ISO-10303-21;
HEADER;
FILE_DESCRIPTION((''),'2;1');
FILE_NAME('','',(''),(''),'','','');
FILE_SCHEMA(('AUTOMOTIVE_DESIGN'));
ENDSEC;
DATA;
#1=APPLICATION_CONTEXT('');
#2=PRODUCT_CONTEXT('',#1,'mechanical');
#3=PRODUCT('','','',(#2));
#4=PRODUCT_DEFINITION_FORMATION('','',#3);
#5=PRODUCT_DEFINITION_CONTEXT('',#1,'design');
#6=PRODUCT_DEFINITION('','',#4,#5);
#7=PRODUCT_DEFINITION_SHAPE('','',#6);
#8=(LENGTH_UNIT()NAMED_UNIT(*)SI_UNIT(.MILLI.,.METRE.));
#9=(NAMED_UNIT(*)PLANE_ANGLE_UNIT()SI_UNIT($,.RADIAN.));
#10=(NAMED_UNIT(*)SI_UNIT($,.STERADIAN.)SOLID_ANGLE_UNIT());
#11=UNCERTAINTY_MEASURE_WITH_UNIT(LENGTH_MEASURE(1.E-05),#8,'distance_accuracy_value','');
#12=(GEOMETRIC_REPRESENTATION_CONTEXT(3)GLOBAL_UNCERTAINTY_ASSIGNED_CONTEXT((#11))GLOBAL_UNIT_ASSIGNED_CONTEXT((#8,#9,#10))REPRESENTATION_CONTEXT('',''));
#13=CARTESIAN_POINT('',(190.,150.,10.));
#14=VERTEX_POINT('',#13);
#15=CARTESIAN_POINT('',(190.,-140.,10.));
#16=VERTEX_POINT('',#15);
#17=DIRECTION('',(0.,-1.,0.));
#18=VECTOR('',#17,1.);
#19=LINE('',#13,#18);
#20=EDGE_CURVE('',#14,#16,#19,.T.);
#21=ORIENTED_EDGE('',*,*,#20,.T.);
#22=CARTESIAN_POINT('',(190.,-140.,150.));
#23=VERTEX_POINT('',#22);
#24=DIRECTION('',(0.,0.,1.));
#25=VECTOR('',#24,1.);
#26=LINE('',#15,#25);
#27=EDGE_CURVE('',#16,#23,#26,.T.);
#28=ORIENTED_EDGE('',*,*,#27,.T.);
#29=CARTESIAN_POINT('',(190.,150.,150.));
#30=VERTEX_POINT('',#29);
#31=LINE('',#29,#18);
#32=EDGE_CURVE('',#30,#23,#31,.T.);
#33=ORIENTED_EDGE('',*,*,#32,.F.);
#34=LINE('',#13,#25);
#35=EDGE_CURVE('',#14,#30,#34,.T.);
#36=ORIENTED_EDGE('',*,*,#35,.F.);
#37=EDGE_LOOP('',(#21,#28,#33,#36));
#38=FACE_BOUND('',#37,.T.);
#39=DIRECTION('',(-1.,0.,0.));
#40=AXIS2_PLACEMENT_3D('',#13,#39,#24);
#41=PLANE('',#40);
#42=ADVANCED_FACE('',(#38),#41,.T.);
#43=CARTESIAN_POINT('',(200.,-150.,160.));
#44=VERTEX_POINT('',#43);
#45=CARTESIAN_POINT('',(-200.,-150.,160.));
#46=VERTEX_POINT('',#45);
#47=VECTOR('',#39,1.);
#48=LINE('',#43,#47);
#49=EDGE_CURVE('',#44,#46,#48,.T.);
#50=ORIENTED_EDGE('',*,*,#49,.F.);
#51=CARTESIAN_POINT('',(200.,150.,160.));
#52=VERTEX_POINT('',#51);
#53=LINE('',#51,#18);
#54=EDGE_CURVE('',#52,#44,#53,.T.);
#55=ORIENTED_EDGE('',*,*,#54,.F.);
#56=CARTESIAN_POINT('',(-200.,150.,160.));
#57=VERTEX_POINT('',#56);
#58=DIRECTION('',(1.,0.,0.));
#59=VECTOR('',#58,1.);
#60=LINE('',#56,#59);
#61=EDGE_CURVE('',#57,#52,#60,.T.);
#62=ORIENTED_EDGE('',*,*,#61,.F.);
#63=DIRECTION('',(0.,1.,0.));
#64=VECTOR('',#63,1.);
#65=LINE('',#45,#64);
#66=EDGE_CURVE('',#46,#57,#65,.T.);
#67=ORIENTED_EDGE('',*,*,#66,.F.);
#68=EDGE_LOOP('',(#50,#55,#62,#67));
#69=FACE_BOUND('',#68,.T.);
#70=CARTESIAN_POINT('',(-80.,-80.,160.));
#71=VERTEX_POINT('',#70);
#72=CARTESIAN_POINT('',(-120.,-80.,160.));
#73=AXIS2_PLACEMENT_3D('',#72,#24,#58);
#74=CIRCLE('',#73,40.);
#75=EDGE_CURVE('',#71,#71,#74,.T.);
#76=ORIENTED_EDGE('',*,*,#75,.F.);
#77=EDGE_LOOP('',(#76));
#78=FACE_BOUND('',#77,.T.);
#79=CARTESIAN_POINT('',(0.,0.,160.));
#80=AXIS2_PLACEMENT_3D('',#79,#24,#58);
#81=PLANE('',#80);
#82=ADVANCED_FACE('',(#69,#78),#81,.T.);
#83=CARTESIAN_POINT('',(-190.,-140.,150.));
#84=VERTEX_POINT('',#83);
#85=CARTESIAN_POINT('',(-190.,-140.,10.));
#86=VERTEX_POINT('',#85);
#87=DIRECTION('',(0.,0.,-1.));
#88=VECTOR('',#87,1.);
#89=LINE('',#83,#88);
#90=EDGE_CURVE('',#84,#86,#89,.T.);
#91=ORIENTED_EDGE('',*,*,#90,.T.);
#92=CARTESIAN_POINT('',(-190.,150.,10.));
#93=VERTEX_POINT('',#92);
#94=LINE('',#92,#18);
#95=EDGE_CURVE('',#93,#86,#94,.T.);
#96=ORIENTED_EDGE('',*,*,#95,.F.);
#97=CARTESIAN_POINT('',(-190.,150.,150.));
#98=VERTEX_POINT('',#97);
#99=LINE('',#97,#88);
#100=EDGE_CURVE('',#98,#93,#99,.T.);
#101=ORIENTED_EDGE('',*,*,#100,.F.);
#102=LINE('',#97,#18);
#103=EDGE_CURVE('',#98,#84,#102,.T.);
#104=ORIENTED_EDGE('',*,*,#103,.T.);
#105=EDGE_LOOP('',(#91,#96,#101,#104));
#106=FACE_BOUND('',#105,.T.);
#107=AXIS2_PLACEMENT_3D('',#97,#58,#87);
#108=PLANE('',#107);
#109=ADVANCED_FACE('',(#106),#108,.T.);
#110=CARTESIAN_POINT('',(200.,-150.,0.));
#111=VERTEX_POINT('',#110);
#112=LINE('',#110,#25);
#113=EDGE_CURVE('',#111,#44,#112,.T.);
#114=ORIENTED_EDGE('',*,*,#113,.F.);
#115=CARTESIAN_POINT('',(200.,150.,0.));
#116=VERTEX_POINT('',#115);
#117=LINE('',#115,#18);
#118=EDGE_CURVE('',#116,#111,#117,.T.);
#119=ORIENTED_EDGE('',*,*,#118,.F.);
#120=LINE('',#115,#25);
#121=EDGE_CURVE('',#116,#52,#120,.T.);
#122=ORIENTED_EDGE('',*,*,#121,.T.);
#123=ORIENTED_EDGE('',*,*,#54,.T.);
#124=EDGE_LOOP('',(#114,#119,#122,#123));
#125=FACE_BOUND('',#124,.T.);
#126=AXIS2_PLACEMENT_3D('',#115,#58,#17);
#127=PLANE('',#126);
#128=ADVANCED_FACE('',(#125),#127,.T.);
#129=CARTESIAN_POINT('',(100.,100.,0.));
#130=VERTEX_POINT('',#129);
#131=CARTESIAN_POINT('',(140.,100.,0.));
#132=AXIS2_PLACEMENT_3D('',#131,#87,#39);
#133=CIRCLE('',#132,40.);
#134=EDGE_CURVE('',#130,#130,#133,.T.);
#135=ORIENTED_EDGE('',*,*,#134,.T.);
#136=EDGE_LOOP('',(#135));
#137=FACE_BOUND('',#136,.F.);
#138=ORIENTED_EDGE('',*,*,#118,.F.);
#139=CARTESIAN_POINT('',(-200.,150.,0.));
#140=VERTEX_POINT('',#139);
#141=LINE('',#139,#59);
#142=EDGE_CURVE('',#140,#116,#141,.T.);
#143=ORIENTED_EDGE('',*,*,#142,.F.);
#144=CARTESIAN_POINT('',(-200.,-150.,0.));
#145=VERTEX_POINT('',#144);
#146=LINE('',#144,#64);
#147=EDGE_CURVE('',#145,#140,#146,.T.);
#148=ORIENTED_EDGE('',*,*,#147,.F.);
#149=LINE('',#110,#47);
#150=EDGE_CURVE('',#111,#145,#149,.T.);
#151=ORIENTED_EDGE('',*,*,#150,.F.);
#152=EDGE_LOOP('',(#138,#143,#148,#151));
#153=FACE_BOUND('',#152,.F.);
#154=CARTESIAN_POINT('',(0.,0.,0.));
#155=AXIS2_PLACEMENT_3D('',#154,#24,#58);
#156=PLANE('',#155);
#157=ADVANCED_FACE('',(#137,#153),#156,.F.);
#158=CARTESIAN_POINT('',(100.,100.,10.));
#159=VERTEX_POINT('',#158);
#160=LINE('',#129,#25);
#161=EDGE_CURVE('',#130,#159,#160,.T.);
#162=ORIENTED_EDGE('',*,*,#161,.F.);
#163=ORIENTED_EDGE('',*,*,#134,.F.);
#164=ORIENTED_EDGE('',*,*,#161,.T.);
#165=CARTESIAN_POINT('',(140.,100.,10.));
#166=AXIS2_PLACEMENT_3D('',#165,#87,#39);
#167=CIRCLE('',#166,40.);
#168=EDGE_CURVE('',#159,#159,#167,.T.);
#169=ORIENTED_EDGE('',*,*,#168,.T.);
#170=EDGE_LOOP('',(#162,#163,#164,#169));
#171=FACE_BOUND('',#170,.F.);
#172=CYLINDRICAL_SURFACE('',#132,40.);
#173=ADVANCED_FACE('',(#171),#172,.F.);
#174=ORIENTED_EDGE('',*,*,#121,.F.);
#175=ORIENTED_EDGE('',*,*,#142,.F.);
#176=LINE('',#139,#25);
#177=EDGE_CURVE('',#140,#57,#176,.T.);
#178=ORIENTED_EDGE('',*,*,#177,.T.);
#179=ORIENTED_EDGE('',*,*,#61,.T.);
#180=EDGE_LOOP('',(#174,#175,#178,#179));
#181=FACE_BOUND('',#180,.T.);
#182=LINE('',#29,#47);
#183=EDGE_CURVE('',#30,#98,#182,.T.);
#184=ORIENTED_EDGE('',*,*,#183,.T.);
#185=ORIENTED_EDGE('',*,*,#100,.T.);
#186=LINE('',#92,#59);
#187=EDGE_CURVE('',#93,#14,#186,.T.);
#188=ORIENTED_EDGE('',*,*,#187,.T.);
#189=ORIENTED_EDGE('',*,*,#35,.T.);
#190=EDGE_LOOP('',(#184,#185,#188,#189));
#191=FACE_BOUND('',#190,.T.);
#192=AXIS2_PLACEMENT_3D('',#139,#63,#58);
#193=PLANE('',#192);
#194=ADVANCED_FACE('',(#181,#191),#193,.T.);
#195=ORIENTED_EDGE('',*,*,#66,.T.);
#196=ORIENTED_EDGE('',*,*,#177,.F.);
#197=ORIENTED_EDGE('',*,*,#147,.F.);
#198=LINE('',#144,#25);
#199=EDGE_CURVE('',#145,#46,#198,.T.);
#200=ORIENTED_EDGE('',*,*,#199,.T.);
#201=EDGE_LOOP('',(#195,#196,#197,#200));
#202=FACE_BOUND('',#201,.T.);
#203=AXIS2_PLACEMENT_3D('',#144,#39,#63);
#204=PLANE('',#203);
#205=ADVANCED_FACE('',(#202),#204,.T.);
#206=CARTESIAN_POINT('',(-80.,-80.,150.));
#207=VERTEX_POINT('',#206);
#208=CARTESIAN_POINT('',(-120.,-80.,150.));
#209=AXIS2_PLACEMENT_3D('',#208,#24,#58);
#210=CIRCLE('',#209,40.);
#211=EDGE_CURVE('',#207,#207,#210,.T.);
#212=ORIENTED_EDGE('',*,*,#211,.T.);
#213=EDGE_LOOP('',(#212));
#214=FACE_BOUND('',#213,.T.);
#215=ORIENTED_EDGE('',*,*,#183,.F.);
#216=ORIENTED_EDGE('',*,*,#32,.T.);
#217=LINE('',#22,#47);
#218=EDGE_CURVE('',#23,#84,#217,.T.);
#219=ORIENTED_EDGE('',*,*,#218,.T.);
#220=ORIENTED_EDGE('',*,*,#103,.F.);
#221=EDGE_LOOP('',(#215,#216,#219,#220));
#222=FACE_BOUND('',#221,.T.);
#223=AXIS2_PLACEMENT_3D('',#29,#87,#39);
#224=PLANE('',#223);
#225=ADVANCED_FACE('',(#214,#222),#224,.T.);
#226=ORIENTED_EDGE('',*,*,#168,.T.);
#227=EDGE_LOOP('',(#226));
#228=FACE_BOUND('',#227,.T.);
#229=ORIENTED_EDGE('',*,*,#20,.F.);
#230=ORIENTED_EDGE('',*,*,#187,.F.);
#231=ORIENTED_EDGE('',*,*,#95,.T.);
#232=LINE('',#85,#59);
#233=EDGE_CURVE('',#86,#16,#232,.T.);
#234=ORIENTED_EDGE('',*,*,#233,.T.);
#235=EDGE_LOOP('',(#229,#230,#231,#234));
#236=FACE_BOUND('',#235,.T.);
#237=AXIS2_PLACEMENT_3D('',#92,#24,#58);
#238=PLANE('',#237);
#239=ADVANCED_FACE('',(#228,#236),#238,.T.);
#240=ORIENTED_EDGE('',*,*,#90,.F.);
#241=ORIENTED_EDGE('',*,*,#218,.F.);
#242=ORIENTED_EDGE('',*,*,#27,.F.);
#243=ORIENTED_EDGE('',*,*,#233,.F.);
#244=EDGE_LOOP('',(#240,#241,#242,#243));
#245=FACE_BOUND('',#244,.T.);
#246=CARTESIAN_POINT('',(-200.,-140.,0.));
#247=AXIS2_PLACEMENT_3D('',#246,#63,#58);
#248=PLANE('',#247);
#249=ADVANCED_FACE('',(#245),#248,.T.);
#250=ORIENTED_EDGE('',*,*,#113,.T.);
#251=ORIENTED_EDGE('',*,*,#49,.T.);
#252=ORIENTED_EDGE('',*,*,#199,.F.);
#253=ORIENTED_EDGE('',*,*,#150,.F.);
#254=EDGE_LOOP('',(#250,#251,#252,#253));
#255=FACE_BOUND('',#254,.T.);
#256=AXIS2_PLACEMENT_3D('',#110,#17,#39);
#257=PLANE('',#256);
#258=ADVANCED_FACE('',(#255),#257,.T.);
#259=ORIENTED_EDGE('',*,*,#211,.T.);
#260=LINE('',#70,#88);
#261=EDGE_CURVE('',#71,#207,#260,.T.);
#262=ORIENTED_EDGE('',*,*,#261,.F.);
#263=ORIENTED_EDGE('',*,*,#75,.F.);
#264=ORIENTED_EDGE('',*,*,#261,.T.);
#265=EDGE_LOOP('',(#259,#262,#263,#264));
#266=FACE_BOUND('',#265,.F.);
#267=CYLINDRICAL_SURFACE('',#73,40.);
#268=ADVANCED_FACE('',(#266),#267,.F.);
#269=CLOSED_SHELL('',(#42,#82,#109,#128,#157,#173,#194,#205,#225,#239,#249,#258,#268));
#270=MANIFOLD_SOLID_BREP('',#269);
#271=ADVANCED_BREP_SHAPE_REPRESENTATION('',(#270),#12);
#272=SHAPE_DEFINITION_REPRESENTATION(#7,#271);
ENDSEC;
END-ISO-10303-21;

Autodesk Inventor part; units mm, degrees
ref_plane "YZ Plane" through (0, 0, 0) normal (1, 0, 0) x (0, 1, 0)
ref_plane "XZ Plane" through (0, 0, 0) normal (0, 1, 0) x (-1, 0, 0)
ref_plane "XY Plane" through (0, 0, 0) normal (0, 0, 1) x (1, 0, 0)
sketch "Boceto1" plane through (0, 0, 0) normal (0, 0, 1) x (1, 0, 0)
  line L0 (-200, 150) -> (200, 150)
  line L1 (200, 150) -> (200, -150)
  line L2 (200, -150) -> (-200, -150)
  line L3 (-200, -150) -> (-200, 150)
  point P0 (0, 0)
  point P1 (0, 150)
  point P2 (-200, 0)
  dimension "d0" = 400
  dimension "d1" = 300
extrude "Extrusión1" add sketch "Boceto1" along normal blind 160
sketch "Boceto2" plane through (-200, 150, 0) normal (0, 1, 0) x (1, 0, 0)
  line L0 (400, 0) -> (0, 0) construction
  line L1 (0, 0) -> (0, -160) construction
  line L2 (400, -160) -> (0, -160) construction
  line L3 (400, 0) -> (400, -160) construction
  line L4 (10, -150) -> (10, -10)
  line L5 (10, -10) -> (390, -10)
  line L6 (390, -10) -> (390, -150)
  line L7 (390, -150) -> (10, -150)
  point P0 (200, 0)
  dimension "d4" = 10
extrude "Extrusión2" cut sketch "Boceto2" against normal blind 290
sketch "Boceto3" plane through (0, 0, 160) normal (0, 0, 1) x (1, 0, 0)
  line L0 (-200, -150) -> (200, -150) construction
  line L1 (200, -150) -> (200, 150) construction
  line L2 (200, 150) -> (-200, 150) construction
  line L3 (-200, 150) -> (-200, -150) construction
  circle A0 centre (-120, -80) radius 40
  point P0 (0, 0)
  dimension "d7" = 80
  dimension "d8" = 80
  dimension "d9" = 70
extrude "Extrusión3" cut sketch "Boceto3" against normal blind 10
sketch "Boceto4" plane through (0, 0, 0) normal (0, 0, -1) x (-1, 0, 0)
  circle A0 centre (-140, 100) radius 40
  line L0 (200, -150) -> (-200, -150) construction
  line L1 (200, 150) -> (200, -150) construction
  line L2 (-200, 150) -> (200, 150) construction
  line L3 (-200, -150) -> (-200, 150) construction
  point P0 (0, 0)
  dimension "d12" = 80
  dimension "d13" = 50
  dimension "d14" = 60
extrude "Extrusión4" cut sketch "Boceto4" against normal blind 10
properties part number "caja de cambios"
